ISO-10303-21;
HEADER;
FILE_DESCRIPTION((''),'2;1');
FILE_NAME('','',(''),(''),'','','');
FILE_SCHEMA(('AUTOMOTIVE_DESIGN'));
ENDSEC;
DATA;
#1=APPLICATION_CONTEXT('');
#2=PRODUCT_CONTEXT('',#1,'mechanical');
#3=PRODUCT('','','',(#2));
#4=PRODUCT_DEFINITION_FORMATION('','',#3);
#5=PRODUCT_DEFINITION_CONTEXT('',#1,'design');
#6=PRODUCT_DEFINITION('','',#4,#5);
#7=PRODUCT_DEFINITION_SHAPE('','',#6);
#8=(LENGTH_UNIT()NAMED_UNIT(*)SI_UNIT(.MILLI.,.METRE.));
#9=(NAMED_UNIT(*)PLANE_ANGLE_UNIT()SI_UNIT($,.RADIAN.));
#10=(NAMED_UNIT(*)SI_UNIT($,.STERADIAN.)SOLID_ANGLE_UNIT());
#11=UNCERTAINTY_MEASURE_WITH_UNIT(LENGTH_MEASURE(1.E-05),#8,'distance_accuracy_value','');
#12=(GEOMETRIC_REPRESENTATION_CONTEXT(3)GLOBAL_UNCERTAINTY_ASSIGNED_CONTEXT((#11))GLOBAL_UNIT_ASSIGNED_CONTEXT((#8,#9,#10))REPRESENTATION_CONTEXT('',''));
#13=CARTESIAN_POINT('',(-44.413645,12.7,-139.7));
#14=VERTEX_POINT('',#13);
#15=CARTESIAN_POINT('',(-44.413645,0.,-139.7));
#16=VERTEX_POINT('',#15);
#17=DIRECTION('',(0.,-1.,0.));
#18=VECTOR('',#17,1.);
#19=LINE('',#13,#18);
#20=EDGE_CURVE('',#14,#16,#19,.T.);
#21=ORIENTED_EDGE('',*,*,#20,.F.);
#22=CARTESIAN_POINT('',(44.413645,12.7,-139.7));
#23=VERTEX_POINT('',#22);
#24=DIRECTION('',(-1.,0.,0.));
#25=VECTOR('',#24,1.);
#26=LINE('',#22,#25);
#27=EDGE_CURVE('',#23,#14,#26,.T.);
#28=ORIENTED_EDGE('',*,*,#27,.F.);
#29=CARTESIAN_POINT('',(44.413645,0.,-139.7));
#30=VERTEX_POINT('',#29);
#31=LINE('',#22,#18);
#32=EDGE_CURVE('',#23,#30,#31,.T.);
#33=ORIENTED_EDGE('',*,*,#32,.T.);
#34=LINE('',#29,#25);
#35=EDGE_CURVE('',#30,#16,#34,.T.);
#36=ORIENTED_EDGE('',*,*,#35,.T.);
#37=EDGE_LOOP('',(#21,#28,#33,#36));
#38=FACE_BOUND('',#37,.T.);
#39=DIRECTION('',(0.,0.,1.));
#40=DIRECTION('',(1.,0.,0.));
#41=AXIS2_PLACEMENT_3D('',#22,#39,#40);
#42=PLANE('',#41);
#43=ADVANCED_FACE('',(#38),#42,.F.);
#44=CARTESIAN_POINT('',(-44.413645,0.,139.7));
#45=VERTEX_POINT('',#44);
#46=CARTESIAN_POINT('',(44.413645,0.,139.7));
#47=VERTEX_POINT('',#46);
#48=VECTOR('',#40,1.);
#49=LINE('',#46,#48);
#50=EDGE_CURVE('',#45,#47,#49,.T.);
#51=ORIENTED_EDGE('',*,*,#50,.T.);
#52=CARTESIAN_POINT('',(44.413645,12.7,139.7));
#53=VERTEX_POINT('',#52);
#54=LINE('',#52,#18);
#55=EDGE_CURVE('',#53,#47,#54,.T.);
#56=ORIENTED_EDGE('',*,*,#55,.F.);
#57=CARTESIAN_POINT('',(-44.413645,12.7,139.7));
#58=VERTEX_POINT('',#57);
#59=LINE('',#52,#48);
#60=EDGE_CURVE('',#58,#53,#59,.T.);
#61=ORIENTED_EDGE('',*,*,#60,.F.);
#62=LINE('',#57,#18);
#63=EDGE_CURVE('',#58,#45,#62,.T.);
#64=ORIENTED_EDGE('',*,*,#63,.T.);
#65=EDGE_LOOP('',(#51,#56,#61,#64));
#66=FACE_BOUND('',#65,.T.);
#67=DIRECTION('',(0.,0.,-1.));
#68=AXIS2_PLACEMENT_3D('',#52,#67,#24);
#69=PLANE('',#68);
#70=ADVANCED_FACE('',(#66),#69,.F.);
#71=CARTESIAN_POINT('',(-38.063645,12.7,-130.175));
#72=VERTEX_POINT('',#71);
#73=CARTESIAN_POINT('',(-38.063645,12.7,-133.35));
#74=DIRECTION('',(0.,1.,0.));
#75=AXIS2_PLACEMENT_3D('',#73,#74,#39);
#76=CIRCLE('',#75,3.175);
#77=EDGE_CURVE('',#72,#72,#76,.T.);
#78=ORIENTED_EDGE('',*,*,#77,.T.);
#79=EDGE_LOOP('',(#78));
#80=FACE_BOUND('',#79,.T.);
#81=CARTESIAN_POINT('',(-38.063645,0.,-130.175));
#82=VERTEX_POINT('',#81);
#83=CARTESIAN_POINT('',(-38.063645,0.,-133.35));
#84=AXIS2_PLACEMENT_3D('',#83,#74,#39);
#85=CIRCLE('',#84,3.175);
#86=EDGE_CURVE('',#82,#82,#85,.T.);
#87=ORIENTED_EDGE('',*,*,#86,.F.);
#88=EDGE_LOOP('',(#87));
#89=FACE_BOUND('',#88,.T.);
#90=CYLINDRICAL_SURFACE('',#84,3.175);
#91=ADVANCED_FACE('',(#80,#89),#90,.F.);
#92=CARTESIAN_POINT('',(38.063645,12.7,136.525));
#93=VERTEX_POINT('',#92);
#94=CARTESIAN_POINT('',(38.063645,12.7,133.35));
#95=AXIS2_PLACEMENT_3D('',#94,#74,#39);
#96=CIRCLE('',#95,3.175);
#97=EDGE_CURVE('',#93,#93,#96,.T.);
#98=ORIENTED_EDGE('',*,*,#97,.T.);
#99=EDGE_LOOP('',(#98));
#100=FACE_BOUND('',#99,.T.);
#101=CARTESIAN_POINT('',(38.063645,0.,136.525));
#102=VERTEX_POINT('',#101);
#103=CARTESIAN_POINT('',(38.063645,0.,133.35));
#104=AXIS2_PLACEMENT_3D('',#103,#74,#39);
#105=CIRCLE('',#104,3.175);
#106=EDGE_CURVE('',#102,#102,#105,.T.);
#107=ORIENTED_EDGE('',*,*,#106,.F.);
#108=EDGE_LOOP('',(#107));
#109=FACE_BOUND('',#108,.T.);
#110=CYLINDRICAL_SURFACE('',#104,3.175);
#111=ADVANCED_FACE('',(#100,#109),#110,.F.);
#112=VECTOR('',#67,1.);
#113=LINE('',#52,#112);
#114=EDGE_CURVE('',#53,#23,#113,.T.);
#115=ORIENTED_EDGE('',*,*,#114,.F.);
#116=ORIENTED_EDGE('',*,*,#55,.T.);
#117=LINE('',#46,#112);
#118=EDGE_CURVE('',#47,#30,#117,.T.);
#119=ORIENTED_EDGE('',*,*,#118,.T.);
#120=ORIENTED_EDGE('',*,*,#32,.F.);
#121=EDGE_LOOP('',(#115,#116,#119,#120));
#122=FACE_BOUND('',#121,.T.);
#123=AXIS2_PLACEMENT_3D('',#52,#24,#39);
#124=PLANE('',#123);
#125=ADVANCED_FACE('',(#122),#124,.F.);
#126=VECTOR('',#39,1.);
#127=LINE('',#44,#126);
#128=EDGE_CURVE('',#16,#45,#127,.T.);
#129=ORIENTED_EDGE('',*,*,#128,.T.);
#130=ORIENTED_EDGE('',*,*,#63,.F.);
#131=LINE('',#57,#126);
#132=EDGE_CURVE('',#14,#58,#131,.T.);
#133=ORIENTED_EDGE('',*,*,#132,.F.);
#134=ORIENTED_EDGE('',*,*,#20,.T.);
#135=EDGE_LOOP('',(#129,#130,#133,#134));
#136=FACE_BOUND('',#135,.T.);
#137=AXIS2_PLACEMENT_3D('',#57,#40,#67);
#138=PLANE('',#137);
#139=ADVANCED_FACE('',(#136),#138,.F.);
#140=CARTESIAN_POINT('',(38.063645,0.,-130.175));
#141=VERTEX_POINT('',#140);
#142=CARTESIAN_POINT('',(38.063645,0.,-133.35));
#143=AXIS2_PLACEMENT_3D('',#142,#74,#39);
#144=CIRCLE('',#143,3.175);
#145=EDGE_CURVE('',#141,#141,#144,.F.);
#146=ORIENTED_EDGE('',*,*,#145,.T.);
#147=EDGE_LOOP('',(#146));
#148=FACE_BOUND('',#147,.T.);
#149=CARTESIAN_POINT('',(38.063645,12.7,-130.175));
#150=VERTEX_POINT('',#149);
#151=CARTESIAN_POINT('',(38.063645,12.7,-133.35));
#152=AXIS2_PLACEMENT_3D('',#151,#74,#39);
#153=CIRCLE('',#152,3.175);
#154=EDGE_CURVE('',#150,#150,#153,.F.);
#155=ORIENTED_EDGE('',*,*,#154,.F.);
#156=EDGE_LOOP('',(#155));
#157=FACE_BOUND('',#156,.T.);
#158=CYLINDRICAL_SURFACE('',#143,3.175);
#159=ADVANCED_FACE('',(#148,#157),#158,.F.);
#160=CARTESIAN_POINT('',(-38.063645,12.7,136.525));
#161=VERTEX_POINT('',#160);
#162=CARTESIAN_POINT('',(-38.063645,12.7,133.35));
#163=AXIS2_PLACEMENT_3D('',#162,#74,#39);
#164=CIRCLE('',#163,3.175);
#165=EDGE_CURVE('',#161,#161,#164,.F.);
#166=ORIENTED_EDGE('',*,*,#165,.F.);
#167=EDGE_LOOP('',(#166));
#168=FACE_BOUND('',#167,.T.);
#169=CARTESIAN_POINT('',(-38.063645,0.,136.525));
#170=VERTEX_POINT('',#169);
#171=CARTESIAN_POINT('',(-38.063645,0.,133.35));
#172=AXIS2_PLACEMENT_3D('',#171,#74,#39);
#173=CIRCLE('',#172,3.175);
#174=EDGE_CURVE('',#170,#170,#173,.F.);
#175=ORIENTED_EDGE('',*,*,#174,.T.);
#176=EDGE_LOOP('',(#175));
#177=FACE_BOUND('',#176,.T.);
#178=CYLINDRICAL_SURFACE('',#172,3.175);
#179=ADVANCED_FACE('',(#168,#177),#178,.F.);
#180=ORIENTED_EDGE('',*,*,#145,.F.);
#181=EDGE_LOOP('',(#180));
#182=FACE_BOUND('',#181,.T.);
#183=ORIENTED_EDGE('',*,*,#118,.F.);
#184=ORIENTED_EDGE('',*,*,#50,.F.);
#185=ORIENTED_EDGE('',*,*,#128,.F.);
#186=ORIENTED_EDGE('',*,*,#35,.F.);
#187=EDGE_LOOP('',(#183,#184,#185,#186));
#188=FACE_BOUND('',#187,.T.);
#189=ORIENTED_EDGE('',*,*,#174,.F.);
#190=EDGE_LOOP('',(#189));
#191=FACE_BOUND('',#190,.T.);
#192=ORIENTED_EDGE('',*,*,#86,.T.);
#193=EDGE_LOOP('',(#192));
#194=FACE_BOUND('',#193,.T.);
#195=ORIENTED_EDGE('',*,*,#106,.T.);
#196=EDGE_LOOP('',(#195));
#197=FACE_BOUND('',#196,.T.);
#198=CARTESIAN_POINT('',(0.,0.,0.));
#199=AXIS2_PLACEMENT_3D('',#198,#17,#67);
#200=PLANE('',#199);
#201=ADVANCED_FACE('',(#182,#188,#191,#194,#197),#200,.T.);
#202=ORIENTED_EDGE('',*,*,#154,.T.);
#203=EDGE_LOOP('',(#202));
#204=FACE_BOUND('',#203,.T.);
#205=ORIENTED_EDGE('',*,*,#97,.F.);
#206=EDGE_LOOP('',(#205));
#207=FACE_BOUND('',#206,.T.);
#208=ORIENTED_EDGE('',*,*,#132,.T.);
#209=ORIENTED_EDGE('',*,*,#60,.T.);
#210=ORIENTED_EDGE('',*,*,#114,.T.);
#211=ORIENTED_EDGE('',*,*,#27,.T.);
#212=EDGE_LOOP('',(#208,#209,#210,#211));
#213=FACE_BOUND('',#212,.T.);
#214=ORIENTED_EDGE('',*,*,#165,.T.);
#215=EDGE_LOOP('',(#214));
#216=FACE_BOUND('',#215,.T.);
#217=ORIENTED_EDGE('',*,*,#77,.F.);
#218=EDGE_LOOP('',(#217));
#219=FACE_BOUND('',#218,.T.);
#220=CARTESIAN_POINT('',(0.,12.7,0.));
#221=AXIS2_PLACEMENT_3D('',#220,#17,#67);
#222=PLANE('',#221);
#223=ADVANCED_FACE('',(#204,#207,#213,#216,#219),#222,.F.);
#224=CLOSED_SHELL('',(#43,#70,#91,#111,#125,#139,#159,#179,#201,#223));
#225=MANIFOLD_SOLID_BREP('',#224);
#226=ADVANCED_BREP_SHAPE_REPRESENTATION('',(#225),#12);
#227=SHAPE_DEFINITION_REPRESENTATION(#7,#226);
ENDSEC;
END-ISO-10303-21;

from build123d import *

# Parameters (mm, degrees)
SKETCH1_W                                       = 88.827290182
SKETCH1_H                                       = 279.4
BASE_SHAPE_DEPTH                                = 12.7
SKETCH2_R                                       = 3.175
F_0_25_DIAMETER_CLEARANCE_HOLES_FOR_ASSEM_DEPTH = 12.7


with BuildPart() as part:
    # Sketch1 → Base Shape (new body)
    with BuildSketch(Plane(origin=(0, 0, 0), x_dir=(1, 0, 0), z_dir=(0, 1, 0))):
        Rectangle(SKETCH1_W, SKETCH1_H)
    extrude(amount=BASE_SHAPE_DEPTH)

    # Sketch2 → 0.25" Diameter Clearance Holes for Assembly (cut)
    with BuildSketch(Plane(origin=(0, 12.7, 0), x_dir=(1, 0, 0), z_dir=(0, 1, 0))):
        with Locations((-38.063645091, -133.35)):
            Circle(SKETCH2_R)
        with Locations((38.063645091, -133.35)):
            Circle(SKETCH2_R)
        with Locations((-38.063645091, 133.35)):
            Circle(SKETCH2_R)
        with Locations((38.063645091, 133.35)):
            Circle(SKETCH2_R)
    extrude(amount=-F_0_25_DIAMETER_CLEARANCE_HOLES_FOR_ASSEM_DEPTH, mode=Mode.SUBTRACT)


solid = part.part
